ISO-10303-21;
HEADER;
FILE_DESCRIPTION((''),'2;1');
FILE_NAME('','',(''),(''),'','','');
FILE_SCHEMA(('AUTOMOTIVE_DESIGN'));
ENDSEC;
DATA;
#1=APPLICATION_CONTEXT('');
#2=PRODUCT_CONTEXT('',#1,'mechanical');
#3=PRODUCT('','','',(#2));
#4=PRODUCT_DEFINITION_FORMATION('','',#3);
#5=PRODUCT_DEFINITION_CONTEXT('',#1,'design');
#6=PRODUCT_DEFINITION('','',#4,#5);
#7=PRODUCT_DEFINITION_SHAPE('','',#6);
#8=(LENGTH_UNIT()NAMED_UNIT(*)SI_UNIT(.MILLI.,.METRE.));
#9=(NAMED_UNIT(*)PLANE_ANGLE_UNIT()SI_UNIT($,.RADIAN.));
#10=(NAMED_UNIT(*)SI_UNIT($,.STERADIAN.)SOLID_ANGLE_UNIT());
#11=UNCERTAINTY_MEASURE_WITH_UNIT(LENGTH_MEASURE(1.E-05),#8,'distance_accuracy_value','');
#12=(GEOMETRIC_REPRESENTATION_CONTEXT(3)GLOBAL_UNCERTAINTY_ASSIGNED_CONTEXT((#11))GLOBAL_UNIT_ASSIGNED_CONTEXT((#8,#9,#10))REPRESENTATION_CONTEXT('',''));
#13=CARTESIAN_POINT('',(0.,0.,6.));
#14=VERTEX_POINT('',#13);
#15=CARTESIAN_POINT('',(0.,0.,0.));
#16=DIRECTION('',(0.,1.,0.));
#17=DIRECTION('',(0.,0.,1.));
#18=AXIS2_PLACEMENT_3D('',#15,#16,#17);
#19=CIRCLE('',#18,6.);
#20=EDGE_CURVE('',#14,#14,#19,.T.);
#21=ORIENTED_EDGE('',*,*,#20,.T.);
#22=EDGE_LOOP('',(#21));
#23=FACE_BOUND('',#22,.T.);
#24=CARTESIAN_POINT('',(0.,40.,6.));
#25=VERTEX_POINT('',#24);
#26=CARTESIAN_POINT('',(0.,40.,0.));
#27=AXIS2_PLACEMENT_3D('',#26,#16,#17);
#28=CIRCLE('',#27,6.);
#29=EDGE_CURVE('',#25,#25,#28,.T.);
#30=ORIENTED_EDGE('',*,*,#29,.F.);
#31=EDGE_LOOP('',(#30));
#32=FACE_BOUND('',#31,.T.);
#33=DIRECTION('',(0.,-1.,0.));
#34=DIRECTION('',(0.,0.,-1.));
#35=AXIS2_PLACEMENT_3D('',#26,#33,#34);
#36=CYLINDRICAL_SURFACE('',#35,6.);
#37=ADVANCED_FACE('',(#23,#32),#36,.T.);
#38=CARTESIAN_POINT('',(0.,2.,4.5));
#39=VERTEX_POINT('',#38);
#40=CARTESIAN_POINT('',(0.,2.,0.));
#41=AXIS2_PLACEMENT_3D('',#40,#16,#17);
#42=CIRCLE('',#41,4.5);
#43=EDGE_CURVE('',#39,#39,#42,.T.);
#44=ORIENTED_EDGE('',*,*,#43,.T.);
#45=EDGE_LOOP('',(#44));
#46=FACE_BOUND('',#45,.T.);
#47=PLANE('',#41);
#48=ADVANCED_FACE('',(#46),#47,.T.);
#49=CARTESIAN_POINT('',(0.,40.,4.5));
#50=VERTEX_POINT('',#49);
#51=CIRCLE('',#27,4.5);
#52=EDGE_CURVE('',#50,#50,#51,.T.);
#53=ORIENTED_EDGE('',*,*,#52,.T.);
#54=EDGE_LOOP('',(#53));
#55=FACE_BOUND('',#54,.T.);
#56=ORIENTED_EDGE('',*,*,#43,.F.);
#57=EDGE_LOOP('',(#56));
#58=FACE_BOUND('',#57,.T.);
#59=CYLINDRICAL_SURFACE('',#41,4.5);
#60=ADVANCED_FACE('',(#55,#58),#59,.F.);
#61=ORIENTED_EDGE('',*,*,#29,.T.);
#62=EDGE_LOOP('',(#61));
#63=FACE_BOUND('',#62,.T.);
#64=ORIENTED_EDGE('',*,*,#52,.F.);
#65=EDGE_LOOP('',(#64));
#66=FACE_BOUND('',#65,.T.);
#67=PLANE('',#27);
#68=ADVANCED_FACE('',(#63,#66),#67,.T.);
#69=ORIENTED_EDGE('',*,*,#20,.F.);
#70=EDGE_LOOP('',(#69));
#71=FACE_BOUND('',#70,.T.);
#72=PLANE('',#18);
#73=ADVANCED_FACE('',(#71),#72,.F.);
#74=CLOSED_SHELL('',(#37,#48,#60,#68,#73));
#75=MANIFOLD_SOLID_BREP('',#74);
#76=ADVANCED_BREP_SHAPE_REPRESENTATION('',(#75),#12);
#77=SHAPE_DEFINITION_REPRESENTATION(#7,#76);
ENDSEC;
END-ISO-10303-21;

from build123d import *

# Parameters (mm, degrees)
SKETCH1_R           = 6
BOSS_EXTRUDE1_DEPTH = 40
SKETCH2_R           = 4.5
CUT_EXTRUDE1_DEPTH  = 38


with BuildPart() as part:
    # Sketch1 → Boss-Extrude1 (new body)
    with BuildSketch(Plane(origin=(0, 0, 0), x_dir=(1, 0, 0), z_dir=(0, 1, 0))):
        Circle(SKETCH1_R)
    extrude(amount=BOSS_EXTRUDE1_DEPTH)

    # Sketch2 → Cut-Extrude1 (cut)
    with BuildSketch(Plane(origin=(0, 40, 0), x_dir=(1, 0, 0), z_dir=(0, 1, 0))):
        Circle(SKETCH2_R)
    extrude(amount=-CUT_EXTRUDE1_DEPTH, mode=Mode.SUBTRACT)


solid = part.part
